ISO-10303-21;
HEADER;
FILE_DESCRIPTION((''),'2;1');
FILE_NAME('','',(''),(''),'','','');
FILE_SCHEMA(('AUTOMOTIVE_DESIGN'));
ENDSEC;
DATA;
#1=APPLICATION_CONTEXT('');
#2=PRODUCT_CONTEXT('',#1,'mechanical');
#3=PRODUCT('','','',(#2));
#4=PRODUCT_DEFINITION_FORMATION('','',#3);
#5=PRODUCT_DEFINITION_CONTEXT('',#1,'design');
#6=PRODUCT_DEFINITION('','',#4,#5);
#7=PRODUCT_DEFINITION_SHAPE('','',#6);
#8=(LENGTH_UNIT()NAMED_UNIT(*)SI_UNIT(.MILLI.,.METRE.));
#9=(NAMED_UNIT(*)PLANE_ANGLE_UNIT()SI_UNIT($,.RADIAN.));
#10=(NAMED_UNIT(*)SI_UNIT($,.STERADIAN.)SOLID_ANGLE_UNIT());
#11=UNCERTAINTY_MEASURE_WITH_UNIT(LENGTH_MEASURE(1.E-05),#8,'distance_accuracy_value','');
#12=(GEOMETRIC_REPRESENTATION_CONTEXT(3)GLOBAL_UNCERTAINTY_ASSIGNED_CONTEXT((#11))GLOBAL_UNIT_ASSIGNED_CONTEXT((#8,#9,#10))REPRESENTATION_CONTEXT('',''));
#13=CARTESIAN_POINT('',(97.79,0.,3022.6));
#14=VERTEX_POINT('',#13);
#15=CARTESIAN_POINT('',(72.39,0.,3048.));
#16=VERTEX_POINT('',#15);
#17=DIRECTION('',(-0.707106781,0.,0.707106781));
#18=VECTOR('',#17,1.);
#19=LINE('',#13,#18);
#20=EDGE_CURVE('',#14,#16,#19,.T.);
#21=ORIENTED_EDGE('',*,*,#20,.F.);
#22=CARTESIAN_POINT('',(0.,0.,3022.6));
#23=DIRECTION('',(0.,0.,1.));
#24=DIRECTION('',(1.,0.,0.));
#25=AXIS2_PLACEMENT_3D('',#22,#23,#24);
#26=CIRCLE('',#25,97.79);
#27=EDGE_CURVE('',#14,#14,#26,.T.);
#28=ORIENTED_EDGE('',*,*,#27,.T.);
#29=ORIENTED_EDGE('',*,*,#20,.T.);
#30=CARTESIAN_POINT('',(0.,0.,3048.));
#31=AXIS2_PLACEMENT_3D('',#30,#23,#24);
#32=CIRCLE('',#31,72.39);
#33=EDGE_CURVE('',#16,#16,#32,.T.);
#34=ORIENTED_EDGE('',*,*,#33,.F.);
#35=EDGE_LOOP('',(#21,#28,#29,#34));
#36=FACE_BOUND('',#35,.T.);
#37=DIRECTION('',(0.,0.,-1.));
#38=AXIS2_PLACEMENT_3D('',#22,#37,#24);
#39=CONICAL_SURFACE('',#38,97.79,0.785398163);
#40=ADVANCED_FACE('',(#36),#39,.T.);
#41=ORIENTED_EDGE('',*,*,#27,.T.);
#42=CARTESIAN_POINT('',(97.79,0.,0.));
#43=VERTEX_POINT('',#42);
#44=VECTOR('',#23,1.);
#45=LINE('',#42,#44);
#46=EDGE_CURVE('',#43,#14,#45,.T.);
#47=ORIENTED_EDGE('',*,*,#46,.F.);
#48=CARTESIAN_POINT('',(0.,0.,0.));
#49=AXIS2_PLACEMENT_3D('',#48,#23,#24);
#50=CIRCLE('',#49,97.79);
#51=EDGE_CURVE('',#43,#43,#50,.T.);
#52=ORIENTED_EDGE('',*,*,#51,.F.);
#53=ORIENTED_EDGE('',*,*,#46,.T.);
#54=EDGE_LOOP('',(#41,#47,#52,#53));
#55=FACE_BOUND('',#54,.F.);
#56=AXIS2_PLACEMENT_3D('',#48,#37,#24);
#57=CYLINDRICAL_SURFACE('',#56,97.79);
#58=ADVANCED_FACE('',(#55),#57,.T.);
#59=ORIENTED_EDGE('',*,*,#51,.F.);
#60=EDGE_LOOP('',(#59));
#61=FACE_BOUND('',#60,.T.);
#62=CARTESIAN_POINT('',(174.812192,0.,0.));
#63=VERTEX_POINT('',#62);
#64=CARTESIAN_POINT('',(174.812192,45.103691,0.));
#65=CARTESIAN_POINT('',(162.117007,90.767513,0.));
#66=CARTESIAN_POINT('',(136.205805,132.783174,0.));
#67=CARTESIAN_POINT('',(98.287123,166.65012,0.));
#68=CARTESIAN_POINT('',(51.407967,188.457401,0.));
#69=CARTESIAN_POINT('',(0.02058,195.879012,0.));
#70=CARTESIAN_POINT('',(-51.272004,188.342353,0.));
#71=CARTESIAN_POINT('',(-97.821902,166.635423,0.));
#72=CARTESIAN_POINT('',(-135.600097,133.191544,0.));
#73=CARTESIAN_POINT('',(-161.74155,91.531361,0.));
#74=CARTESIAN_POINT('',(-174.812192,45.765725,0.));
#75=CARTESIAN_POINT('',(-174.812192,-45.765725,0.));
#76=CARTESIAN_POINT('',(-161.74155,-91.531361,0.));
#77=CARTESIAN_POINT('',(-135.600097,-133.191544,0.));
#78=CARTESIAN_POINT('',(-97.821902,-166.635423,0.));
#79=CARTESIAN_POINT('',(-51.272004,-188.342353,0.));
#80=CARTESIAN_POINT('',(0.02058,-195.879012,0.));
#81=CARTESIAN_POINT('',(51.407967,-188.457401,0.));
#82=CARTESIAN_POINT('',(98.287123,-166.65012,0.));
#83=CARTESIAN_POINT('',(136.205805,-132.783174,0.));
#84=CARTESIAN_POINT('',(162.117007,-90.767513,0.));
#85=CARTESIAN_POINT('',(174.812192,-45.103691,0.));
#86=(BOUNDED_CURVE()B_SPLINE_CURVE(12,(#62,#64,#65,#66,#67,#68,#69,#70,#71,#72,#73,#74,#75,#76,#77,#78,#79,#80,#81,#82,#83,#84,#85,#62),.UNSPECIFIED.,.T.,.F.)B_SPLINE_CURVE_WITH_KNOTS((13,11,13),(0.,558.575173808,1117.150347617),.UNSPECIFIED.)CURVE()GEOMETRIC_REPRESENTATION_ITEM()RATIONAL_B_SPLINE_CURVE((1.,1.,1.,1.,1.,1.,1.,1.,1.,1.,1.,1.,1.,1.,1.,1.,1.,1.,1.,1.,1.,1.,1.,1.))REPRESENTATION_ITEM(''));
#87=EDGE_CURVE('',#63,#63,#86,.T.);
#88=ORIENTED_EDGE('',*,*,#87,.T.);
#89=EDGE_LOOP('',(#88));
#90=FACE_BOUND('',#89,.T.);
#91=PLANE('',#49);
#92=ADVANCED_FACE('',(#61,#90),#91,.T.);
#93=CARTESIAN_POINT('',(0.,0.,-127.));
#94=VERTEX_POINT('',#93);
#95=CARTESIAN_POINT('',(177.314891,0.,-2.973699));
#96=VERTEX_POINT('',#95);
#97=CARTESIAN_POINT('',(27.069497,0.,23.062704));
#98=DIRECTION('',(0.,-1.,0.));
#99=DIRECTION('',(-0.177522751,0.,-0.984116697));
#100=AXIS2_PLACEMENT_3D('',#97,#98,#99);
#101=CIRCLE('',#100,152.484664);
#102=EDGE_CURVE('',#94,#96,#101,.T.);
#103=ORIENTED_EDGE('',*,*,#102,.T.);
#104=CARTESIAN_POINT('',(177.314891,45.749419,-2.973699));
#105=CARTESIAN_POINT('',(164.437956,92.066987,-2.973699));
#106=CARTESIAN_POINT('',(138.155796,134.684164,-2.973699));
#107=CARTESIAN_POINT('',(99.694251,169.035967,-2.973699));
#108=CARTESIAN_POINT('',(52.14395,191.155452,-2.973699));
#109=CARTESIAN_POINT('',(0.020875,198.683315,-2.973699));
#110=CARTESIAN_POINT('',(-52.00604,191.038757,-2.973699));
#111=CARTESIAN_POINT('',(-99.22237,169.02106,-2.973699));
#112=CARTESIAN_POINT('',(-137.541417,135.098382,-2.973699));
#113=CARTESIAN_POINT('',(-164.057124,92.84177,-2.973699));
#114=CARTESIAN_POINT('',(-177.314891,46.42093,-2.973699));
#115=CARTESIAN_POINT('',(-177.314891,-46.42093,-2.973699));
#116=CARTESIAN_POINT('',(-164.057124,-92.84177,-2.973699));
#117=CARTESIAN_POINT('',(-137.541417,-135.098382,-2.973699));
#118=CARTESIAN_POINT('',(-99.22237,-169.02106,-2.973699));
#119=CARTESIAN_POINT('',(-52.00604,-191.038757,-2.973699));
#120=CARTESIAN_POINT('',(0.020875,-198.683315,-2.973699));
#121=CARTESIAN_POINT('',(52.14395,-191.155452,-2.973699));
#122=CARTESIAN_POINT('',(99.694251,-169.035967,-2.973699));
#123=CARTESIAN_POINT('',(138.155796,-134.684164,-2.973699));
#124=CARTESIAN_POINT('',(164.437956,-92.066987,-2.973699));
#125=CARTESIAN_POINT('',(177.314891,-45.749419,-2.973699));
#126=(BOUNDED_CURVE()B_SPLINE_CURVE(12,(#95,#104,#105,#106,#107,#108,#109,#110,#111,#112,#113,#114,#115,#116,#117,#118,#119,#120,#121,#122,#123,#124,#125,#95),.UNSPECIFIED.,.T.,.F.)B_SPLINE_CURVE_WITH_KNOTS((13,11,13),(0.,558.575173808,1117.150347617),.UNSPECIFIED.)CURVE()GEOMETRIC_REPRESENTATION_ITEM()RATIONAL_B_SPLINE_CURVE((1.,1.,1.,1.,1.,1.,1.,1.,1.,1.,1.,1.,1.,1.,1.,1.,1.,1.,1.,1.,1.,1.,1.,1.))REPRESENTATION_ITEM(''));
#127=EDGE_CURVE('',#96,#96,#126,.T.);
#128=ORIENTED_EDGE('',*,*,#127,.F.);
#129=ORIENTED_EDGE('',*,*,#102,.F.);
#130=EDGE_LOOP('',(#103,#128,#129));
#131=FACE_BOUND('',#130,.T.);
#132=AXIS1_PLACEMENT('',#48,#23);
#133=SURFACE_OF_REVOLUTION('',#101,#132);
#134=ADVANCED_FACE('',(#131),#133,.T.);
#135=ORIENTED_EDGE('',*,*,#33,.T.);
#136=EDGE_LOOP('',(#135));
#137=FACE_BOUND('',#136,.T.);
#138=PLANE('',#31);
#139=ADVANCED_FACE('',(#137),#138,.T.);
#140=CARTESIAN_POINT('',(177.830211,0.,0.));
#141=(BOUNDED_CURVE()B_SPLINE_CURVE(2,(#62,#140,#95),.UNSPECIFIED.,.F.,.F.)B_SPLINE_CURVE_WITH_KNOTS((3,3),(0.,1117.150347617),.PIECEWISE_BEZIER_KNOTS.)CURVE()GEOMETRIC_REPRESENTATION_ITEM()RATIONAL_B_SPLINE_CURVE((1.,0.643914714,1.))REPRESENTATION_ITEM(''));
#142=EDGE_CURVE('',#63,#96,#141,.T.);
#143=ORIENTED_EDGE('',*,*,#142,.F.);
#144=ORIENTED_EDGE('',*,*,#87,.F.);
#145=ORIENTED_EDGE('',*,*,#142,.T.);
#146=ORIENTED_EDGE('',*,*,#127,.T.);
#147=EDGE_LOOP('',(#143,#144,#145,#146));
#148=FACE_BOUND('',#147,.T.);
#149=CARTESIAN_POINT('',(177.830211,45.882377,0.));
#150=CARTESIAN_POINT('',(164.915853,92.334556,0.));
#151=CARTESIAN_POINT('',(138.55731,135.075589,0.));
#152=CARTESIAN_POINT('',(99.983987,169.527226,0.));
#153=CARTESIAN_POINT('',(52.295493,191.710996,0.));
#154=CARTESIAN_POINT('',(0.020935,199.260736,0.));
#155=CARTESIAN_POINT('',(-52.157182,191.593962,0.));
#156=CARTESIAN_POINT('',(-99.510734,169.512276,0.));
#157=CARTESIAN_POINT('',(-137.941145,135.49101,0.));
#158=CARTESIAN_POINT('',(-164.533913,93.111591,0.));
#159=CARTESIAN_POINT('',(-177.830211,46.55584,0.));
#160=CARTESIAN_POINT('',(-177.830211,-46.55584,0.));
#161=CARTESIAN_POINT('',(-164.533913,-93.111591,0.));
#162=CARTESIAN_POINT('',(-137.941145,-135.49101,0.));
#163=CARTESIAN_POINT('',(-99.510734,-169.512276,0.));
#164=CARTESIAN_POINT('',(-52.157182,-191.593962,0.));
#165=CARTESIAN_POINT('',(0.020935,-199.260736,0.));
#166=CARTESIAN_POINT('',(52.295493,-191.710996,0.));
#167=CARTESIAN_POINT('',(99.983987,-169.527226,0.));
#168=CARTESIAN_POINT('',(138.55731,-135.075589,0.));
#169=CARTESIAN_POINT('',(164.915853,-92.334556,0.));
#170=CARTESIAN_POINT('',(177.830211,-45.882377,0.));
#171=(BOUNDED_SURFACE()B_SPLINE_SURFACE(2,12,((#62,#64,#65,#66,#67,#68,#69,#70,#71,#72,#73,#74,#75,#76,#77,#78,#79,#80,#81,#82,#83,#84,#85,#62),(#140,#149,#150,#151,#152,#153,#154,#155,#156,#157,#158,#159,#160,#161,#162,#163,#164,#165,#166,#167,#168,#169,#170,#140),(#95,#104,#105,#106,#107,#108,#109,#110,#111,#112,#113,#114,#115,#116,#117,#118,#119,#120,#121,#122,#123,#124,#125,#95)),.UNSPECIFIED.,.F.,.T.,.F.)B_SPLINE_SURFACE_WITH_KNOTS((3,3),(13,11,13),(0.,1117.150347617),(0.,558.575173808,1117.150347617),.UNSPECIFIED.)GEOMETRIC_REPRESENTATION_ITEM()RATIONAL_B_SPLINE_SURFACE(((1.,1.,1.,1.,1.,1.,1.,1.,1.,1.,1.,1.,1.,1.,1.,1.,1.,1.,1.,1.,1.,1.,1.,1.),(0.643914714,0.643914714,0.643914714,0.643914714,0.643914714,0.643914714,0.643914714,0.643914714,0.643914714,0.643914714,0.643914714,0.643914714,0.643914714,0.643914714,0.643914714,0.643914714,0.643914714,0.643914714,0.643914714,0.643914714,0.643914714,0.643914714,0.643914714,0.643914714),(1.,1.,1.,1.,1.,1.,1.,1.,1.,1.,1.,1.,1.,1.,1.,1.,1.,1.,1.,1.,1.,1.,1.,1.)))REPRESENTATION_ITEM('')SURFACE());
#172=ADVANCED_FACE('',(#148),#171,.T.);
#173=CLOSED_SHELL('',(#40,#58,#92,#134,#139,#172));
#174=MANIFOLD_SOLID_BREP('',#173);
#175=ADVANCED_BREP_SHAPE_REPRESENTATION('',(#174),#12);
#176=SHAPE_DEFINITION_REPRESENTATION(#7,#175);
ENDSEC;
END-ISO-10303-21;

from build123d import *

# Parameters (mm, degrees)
F0_R     = 97.79
F1_DEPTH = 3048
F4_R     = 2.54
F5_SIZE  = 25.4


with BuildPart() as f1:
    # F0 (on Top) → F1 (new body)
    with BuildSketch(Plane.XY):
        Circle(F0_R)
    extrude(amount=F1_DEPTH)

    # F2 (on Front) → F3 (revolve)
    with BuildSketch(Plane.XZ):
        with BuildLine():
            Line((177.8, 0), (0, 0))
            Line((0, 0), (0, -127))
            ThreePointArc((0, -127), (115.699408, -101.019171), (177.8, 0))
        make_face()
    revolve(axis=Axis((0, 0, 0), (0, 0, 1)))

    # F4
    f4_edges = [f1.edges().sort_by_distance(p)[0] for p in [
        (-177.8, 0, 0),
    ]]
    fillet(f4_edges, radius=F4_R)

    # F5
    f5_edges = [f1.edges().sort_by_distance(p)[0] for p in [
        (-97.79, 0, 3048),
    ]]
    chamfer(f5_edges, length=F5_SIZE)


solid = f1.part
